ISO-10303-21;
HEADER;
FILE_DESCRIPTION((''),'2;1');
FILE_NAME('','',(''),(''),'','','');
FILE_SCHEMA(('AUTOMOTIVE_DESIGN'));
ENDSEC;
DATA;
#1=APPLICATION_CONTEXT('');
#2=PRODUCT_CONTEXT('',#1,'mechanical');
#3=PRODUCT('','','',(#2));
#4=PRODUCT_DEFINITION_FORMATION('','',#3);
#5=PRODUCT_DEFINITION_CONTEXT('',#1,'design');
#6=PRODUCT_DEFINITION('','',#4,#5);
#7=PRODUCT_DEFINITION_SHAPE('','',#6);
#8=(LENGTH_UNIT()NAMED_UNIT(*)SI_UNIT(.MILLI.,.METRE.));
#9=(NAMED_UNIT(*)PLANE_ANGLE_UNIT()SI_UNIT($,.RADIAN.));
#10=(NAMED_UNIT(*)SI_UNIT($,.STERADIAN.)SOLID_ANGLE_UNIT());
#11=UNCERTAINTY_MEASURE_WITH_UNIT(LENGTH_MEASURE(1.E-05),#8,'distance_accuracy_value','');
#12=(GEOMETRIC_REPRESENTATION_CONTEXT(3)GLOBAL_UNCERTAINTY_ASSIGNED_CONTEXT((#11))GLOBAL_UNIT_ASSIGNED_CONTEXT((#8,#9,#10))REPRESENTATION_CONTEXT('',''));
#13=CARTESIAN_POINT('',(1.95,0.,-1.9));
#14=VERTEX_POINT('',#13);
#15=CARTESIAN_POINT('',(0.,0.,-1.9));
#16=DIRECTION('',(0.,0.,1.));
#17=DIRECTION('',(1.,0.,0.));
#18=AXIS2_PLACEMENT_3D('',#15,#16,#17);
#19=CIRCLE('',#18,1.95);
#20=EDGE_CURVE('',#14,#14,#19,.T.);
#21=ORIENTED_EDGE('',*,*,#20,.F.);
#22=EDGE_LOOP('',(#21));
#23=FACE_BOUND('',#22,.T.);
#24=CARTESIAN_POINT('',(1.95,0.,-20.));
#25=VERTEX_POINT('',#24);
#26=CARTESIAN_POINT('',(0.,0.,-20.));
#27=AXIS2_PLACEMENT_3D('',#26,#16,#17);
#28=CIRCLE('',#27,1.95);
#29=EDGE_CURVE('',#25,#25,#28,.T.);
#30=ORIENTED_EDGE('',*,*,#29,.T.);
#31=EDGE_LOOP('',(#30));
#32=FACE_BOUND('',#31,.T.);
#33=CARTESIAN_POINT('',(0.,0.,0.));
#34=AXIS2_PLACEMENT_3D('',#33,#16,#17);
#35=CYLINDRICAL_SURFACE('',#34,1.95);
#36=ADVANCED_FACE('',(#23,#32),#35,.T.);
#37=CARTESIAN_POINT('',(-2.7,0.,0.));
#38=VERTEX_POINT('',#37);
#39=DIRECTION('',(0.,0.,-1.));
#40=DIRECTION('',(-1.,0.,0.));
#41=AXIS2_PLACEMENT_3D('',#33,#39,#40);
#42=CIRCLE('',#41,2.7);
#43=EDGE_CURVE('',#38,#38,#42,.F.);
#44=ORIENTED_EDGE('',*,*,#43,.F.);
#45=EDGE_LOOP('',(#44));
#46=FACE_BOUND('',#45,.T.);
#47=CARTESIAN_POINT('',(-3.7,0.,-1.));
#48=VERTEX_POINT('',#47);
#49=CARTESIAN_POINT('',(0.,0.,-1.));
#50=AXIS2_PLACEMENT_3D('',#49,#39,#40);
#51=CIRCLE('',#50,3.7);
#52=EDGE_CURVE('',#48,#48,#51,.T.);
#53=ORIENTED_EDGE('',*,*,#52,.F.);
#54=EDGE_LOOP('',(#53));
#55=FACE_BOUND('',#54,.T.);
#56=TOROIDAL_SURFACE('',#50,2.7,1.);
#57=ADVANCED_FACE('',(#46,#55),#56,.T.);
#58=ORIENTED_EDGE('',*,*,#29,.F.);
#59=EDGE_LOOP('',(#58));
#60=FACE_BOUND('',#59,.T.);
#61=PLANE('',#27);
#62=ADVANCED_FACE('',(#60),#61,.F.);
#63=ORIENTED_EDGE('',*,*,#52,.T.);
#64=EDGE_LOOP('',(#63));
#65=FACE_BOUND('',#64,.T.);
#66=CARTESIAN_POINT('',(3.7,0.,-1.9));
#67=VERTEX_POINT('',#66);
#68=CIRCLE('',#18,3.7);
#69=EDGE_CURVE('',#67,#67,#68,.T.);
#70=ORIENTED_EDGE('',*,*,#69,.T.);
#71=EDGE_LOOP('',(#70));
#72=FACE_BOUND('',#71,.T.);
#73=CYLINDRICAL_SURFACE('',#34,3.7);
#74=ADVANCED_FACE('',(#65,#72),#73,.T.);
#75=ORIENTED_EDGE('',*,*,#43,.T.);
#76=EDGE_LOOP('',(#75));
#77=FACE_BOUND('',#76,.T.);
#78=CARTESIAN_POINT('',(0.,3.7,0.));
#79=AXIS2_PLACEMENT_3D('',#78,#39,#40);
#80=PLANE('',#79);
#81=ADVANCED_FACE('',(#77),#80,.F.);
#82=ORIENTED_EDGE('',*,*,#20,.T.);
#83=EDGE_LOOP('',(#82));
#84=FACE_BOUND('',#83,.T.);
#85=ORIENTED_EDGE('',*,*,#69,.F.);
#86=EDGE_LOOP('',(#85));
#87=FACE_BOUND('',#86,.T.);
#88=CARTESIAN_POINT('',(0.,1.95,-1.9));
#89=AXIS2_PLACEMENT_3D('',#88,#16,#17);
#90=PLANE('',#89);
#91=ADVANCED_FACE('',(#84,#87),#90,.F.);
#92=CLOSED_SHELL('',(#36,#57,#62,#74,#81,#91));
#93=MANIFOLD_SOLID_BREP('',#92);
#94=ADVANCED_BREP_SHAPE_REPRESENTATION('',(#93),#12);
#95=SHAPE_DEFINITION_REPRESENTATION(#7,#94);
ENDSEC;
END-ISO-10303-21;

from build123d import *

# Parameters (mm, degrees)
FILLET1_R = 1


with BuildPart() as part:
    # Sketch1 → Revolve1 (revolve)
    with BuildSketch(Plane(origin=(0, 0, 0), x_dir=(0, 0, -1), z_dir=(1, 0, 0)), mode=Mode.PRIVATE) as revolve1_sk:
        Polygon((1.9, 1.95), (1.9, 3.7), (0, 3.7), (0, 0), (20, 0), (20, 1.95), align=None)
    revolve(revolve1_sk.sketch.rotate(Axis((0, 0, 0), (0, 0, -1)), 90), axis=Axis((0, 0, 0), (0, 0, -1)))

    # Fillet1
    fillet1_edges = [part.edges().sort_by_distance(p)[0] for p in [
        (-3.7, 0, 0),
    ]]
    fillet(fillet1_edges, radius=FILLET1_R)


solid = part.part
